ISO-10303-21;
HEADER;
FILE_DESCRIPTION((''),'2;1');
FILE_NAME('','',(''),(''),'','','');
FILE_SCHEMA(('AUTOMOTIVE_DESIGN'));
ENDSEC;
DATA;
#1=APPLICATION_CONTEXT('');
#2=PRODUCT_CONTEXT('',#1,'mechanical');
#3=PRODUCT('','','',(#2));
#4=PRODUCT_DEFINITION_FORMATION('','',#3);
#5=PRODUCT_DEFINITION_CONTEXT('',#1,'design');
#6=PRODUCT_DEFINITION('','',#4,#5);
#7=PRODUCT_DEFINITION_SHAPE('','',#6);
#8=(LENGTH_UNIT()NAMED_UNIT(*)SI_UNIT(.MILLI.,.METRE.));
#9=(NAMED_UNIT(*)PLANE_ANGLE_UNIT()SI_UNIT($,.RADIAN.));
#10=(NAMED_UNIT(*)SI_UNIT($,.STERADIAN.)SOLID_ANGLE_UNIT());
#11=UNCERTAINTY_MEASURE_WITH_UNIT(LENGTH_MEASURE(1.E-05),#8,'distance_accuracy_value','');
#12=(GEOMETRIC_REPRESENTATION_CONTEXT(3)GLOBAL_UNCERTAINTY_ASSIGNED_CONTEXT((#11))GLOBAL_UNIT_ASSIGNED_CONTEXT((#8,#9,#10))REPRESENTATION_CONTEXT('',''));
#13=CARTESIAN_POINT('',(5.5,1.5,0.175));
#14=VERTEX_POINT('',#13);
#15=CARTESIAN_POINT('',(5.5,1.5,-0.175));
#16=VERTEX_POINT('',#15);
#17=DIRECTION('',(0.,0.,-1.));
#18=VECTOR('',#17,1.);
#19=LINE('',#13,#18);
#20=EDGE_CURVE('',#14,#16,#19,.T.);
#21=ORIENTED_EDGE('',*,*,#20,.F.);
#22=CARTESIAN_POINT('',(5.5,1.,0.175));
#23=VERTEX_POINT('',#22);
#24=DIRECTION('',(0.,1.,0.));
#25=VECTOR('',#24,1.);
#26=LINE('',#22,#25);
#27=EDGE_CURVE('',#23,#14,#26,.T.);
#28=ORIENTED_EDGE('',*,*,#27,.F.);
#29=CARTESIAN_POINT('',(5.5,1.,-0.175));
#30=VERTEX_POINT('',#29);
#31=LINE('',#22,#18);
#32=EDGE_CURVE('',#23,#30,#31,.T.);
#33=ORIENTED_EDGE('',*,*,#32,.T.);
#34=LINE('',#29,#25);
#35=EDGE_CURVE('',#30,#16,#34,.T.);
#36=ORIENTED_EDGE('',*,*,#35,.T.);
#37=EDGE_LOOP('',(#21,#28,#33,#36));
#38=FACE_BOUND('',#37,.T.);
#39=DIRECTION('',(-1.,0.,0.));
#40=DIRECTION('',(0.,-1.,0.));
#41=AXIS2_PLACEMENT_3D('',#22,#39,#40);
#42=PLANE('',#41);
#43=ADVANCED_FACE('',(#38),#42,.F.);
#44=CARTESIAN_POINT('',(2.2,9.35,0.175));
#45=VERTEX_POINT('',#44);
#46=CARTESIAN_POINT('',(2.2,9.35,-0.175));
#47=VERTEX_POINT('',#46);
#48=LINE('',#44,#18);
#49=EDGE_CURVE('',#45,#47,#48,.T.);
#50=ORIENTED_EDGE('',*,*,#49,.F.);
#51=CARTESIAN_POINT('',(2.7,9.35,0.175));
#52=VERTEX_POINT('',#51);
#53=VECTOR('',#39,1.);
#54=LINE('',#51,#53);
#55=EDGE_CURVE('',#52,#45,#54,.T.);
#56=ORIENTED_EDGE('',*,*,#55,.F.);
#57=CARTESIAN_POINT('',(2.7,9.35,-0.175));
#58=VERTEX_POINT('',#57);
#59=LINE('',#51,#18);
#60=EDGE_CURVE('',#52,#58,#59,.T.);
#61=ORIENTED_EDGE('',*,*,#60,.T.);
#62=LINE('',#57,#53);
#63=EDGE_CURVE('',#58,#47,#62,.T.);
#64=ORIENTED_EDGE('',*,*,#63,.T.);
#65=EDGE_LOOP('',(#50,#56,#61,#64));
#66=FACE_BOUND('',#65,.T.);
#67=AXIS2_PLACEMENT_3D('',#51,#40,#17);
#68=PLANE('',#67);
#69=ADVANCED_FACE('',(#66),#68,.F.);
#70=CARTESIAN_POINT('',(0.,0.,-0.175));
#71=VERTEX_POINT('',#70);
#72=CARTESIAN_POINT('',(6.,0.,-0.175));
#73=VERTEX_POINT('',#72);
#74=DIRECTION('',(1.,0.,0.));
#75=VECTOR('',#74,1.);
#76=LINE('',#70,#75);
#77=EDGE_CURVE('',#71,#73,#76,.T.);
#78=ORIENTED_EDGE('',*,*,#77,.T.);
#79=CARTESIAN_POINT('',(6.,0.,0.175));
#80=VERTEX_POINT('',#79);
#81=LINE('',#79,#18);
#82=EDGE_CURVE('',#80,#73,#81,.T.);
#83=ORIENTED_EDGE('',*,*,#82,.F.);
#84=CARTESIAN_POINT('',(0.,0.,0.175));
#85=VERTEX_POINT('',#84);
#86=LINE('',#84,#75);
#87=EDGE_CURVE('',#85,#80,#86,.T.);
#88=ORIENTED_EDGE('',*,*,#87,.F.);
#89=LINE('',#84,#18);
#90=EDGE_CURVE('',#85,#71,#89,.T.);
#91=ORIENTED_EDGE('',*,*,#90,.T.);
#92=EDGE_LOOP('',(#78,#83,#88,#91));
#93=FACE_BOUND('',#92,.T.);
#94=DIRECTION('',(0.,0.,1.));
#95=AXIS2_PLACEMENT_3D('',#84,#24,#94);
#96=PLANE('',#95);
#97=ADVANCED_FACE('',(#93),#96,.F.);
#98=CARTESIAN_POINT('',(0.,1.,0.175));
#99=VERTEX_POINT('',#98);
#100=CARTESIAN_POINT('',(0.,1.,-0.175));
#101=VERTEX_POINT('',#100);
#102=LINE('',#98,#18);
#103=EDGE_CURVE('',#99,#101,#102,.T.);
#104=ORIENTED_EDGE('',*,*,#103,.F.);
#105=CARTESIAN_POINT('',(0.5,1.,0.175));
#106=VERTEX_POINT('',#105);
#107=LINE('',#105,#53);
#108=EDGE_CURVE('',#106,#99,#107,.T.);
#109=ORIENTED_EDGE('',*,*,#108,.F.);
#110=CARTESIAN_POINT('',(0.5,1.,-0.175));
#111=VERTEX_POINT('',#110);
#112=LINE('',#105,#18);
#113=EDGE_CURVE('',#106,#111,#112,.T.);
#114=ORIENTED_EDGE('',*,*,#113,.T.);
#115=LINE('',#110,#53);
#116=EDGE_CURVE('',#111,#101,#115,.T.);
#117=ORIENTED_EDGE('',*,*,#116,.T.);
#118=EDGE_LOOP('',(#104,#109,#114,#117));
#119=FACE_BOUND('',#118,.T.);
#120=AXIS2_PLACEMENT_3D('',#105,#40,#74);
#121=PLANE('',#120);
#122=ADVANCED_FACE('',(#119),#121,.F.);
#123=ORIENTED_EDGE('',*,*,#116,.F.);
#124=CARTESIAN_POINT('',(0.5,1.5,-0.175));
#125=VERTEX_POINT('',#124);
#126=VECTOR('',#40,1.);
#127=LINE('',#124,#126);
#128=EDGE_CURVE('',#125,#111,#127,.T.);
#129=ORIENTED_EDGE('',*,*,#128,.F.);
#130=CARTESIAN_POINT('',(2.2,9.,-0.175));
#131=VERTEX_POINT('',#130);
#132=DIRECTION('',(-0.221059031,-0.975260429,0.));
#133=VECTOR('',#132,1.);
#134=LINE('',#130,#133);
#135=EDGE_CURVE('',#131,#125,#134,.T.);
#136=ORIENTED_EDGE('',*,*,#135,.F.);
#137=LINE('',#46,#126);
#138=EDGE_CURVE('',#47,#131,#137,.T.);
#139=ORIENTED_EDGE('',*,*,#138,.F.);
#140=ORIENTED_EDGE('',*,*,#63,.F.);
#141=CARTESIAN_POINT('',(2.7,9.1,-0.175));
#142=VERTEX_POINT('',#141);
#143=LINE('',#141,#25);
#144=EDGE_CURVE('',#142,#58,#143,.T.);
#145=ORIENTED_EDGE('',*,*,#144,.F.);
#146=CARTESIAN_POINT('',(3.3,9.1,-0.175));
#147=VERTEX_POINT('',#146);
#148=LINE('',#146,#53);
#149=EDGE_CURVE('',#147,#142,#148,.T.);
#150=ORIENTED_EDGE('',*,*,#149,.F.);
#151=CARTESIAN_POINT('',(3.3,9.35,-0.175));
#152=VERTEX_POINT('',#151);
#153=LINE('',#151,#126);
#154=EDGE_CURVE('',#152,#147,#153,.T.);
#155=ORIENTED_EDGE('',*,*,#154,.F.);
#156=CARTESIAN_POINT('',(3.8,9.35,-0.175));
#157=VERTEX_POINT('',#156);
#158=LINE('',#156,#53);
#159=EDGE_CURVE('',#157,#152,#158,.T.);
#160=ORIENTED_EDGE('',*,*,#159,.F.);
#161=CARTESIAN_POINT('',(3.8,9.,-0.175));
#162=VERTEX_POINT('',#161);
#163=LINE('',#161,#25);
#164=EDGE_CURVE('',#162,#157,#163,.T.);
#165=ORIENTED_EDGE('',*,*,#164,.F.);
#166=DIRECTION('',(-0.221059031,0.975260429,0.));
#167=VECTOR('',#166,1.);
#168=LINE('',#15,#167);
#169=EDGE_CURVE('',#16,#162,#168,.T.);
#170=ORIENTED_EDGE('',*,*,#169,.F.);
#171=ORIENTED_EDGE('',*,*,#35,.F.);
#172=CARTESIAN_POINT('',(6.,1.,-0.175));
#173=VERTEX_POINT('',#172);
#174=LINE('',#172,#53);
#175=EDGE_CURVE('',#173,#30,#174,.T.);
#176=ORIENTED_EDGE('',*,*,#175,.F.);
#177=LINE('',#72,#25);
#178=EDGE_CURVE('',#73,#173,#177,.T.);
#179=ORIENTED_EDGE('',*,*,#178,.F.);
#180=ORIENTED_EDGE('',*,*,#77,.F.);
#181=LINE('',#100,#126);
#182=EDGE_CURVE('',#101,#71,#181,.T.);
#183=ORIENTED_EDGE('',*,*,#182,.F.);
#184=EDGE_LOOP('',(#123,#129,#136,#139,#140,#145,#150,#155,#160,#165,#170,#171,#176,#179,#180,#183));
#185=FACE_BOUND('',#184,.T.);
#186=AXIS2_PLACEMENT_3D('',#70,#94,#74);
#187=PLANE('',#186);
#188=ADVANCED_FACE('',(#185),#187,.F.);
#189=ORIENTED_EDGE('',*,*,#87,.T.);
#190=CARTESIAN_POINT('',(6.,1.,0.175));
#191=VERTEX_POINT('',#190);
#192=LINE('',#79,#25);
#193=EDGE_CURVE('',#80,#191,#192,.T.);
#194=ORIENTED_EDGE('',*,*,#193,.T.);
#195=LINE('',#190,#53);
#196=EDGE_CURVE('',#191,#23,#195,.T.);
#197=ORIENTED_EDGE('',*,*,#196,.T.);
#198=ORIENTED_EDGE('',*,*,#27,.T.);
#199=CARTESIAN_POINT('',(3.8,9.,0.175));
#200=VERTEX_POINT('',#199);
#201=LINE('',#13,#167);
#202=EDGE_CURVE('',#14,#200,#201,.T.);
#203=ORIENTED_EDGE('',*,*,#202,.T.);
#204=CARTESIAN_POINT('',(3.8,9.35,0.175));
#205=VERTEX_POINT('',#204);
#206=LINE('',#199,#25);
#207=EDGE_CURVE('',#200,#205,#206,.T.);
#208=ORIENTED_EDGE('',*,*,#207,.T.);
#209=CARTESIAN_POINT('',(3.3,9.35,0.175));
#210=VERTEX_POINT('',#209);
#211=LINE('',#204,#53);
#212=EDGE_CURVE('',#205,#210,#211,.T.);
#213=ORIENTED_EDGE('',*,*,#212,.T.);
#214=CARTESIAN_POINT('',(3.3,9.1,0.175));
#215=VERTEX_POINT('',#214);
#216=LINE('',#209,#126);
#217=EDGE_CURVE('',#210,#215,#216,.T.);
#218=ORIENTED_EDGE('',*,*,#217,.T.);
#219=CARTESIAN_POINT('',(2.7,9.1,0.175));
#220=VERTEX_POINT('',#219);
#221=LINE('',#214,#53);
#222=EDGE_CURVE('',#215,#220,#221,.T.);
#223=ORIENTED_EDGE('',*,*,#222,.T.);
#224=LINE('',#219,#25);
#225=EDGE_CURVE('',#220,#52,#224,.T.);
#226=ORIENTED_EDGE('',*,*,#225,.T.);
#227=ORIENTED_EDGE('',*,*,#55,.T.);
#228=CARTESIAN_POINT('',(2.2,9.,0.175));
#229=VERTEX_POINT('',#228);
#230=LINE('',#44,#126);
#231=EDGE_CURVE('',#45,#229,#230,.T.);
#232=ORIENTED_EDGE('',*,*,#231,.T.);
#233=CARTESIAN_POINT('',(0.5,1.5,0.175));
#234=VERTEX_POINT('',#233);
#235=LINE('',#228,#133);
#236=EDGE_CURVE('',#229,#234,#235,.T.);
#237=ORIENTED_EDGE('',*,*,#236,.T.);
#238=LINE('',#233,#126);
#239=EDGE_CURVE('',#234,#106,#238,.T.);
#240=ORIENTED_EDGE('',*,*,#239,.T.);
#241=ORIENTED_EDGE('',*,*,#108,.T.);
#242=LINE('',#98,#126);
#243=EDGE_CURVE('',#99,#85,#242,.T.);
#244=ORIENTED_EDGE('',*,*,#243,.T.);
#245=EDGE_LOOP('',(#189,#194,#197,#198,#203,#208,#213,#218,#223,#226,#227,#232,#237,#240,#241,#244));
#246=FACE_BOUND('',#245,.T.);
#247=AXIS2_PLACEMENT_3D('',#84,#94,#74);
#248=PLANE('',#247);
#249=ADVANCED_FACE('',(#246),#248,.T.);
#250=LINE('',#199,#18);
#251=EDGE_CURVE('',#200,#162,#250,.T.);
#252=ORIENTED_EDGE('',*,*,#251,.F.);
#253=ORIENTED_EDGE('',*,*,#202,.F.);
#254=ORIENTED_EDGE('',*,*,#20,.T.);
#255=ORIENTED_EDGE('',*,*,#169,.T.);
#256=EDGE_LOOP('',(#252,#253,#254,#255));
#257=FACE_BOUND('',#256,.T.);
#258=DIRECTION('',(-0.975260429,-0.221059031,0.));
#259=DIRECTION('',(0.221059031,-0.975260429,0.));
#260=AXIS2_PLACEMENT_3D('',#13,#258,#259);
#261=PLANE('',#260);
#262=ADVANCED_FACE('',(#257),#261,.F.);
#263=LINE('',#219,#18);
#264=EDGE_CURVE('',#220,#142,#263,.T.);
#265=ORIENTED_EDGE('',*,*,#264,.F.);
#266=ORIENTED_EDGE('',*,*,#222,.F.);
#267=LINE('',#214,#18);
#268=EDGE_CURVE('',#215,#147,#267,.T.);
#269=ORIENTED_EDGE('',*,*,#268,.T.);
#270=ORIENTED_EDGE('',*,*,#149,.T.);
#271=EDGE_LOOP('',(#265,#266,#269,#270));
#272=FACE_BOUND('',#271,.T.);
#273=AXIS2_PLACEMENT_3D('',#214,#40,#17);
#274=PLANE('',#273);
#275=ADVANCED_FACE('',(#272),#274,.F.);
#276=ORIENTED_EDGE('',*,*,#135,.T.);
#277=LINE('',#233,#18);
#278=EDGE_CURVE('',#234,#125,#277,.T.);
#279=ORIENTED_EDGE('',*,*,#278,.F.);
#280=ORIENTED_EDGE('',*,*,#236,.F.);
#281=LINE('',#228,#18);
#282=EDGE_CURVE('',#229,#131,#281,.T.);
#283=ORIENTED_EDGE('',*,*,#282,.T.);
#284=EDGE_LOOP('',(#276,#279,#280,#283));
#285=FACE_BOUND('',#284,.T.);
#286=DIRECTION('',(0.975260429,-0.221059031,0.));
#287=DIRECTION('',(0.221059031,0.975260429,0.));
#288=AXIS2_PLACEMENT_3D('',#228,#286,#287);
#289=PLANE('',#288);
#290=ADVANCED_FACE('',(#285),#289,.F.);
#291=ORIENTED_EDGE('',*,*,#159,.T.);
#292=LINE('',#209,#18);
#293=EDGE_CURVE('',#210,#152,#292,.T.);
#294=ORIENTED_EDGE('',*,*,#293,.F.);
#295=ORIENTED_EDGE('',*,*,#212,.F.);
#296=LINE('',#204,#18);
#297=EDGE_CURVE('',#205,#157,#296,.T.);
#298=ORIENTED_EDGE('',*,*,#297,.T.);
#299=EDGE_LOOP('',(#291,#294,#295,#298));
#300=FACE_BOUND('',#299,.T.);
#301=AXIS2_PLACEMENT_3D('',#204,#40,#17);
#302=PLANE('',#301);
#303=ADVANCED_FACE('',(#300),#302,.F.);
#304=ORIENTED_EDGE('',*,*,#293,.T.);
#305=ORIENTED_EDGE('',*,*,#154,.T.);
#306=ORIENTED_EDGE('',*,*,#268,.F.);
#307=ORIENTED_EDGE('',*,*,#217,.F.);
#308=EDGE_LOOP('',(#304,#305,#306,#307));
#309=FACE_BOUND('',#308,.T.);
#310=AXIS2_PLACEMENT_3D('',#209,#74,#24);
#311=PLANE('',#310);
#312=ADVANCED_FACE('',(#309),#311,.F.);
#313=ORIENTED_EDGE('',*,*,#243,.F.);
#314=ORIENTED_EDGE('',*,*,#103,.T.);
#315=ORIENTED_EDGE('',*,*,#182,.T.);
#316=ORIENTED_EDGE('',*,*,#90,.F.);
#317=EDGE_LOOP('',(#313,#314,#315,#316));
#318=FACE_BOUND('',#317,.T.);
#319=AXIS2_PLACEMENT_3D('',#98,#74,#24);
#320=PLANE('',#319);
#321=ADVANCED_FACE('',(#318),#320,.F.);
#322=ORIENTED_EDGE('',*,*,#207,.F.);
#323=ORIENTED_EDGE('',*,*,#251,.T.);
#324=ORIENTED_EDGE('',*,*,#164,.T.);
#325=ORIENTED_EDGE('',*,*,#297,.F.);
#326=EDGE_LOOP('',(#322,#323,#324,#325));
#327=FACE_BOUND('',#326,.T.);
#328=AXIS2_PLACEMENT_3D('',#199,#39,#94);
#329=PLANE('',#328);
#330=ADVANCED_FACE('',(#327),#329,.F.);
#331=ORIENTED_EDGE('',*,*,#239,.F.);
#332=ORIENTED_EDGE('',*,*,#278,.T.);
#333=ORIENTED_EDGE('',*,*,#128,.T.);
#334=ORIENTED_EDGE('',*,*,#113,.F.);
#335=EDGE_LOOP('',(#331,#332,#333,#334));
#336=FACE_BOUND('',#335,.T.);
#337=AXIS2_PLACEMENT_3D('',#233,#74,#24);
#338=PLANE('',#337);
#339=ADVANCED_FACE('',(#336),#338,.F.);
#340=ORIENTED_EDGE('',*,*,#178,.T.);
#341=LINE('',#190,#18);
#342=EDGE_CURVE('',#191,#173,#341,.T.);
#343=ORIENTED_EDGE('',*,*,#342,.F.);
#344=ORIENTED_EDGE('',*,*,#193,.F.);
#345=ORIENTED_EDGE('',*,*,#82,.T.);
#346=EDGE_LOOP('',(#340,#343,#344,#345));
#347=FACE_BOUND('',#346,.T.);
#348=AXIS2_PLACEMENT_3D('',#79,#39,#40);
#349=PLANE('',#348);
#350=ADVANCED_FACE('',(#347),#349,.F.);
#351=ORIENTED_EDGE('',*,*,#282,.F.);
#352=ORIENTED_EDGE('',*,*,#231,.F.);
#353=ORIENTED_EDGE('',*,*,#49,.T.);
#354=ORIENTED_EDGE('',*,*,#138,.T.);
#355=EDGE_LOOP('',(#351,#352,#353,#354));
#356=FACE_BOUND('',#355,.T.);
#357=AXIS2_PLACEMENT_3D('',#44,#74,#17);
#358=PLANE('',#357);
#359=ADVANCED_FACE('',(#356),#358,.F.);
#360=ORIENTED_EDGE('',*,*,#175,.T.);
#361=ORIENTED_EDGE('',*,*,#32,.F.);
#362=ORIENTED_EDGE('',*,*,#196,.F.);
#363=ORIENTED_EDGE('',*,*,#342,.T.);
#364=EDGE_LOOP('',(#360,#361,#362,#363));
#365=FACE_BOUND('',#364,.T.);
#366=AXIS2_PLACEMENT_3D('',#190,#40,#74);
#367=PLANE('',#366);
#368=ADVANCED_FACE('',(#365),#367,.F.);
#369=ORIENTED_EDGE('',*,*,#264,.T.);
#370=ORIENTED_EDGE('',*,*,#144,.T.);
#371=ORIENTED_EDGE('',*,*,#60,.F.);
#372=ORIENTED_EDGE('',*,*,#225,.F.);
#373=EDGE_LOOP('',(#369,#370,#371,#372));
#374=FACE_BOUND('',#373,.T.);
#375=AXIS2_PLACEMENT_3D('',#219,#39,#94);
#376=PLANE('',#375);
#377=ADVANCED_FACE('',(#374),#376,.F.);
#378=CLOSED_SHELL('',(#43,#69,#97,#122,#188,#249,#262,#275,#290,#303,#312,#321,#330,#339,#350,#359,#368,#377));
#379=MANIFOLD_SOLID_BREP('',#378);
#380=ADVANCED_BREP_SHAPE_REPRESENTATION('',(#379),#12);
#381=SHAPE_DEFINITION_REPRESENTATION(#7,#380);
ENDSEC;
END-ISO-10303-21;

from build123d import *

# Parameters (mm, degrees)
BOSS_EXTRUDE1_DEPTH = 0.175


with BuildPart() as part:
    # frame_outline → Boss-Extrude1 (new, symmetric)
    with BuildSketch(Plane.XY):
        Polygon((0, 0), (6, 0), (6, 1), (5.5, 1), (5.5, 1.5), (3.8, 9), (3.8, 9.35), (3.3, 9.35), (3.3, 9.1), (2.7, 9.1), (2.7, 9.35), (2.2, 9.35), (2.2, 9), (0.5, 1.5), (0.5, 1), (0, 1), align=None)
    extrude(amount=BOSS_EXTRUDE1_DEPTH, both=True)


solid = part.part
